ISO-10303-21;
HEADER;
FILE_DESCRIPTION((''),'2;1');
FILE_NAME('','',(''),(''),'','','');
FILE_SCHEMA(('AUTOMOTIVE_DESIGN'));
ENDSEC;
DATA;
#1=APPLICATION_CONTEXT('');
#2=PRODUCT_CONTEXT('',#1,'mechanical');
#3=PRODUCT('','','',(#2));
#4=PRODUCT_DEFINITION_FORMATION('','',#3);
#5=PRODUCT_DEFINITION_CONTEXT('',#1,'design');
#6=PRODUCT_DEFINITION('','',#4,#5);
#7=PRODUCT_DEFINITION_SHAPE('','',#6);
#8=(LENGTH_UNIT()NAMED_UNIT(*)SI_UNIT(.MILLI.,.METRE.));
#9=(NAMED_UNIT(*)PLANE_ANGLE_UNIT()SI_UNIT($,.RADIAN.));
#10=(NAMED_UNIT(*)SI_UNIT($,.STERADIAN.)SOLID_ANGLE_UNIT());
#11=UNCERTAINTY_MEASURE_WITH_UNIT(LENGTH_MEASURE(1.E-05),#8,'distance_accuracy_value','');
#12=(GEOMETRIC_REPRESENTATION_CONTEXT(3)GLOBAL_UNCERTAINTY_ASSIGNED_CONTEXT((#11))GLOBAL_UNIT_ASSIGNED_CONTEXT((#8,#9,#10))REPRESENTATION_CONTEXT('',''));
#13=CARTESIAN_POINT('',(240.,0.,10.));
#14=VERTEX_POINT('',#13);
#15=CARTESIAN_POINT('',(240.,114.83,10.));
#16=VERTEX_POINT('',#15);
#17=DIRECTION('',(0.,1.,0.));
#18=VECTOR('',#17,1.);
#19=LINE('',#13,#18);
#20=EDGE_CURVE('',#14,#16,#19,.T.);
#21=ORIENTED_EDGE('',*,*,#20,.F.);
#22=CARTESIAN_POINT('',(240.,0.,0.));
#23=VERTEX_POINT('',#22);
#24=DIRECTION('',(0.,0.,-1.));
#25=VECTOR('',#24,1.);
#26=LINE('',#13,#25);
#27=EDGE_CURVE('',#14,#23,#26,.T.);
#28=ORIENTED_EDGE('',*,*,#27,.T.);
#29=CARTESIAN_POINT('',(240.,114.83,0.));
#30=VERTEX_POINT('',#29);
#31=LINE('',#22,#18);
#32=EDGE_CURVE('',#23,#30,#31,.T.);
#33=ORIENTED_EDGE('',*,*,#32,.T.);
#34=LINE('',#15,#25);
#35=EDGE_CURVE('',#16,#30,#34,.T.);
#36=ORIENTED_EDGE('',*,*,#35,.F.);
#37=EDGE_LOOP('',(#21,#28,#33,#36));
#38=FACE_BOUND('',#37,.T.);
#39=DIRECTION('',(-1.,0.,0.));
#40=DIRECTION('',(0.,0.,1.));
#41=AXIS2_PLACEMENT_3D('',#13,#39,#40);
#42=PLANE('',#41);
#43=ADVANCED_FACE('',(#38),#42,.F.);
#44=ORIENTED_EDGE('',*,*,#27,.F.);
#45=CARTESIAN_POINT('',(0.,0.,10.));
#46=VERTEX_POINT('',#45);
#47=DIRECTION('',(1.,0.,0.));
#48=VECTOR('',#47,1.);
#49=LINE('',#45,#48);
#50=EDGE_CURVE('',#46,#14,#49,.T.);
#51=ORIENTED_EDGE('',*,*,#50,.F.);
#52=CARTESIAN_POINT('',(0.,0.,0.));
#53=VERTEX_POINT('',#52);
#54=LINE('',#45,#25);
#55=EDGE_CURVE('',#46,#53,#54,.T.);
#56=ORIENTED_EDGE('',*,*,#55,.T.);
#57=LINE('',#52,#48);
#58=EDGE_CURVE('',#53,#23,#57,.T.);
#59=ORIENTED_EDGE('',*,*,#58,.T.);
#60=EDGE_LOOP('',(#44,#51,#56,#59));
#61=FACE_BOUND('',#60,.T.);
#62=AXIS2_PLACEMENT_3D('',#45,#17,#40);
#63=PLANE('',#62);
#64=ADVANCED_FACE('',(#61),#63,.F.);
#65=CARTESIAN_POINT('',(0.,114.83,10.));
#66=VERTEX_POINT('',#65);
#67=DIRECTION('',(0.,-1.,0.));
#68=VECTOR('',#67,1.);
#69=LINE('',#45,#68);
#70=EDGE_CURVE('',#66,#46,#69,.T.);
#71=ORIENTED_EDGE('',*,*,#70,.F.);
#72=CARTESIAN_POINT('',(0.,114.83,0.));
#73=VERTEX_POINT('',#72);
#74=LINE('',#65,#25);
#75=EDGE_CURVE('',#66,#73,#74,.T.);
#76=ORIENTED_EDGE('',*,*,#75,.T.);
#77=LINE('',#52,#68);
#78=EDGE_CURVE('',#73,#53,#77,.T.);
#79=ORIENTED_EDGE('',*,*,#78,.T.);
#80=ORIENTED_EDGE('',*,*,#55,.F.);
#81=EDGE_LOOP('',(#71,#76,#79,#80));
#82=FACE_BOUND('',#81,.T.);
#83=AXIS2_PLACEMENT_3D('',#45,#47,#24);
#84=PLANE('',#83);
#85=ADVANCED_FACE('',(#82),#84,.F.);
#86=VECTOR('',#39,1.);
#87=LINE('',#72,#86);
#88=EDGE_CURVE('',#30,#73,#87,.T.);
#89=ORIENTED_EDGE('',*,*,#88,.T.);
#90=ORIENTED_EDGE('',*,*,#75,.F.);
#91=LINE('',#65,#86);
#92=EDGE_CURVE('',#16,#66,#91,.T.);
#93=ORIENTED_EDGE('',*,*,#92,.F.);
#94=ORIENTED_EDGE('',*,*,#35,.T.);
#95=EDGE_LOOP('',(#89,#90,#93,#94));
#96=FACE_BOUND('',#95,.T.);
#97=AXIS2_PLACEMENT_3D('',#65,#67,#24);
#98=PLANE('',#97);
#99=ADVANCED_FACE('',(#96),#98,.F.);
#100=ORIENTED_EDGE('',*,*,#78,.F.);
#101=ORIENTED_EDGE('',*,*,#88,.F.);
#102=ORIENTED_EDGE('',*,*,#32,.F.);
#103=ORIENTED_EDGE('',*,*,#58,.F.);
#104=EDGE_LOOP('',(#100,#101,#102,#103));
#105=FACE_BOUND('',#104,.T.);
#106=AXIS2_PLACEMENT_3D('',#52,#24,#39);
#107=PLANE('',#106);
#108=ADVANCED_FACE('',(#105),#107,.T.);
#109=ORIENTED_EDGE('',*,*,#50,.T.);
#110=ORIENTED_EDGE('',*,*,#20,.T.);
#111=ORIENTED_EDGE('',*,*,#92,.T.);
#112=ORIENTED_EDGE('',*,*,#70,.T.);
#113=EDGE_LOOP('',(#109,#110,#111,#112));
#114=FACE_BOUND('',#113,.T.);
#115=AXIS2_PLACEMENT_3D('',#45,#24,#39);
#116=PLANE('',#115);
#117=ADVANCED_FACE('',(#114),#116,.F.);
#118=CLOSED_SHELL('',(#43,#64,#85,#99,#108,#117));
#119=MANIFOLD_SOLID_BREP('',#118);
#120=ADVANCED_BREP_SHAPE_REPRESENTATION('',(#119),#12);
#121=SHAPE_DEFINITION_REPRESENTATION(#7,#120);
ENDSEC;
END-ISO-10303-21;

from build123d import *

# Parameters (mm, degrees)
CROQUIS1_W              = 240
CROQUIS1_H              = 114.83
SALIENTE_EXTRUIR1_DEPTH = 10


with BuildPart() as part:
    # Croquis1 → Saliente-Extruir1 (new body)
    with BuildSketch(Plane.XY):
        with Locations((120, 57.415)):
            Rectangle(CROQUIS1_W, CROQUIS1_H)
    extrude(amount=SALIENTE_EXTRUIR1_DEPTH)


solid = part.part
